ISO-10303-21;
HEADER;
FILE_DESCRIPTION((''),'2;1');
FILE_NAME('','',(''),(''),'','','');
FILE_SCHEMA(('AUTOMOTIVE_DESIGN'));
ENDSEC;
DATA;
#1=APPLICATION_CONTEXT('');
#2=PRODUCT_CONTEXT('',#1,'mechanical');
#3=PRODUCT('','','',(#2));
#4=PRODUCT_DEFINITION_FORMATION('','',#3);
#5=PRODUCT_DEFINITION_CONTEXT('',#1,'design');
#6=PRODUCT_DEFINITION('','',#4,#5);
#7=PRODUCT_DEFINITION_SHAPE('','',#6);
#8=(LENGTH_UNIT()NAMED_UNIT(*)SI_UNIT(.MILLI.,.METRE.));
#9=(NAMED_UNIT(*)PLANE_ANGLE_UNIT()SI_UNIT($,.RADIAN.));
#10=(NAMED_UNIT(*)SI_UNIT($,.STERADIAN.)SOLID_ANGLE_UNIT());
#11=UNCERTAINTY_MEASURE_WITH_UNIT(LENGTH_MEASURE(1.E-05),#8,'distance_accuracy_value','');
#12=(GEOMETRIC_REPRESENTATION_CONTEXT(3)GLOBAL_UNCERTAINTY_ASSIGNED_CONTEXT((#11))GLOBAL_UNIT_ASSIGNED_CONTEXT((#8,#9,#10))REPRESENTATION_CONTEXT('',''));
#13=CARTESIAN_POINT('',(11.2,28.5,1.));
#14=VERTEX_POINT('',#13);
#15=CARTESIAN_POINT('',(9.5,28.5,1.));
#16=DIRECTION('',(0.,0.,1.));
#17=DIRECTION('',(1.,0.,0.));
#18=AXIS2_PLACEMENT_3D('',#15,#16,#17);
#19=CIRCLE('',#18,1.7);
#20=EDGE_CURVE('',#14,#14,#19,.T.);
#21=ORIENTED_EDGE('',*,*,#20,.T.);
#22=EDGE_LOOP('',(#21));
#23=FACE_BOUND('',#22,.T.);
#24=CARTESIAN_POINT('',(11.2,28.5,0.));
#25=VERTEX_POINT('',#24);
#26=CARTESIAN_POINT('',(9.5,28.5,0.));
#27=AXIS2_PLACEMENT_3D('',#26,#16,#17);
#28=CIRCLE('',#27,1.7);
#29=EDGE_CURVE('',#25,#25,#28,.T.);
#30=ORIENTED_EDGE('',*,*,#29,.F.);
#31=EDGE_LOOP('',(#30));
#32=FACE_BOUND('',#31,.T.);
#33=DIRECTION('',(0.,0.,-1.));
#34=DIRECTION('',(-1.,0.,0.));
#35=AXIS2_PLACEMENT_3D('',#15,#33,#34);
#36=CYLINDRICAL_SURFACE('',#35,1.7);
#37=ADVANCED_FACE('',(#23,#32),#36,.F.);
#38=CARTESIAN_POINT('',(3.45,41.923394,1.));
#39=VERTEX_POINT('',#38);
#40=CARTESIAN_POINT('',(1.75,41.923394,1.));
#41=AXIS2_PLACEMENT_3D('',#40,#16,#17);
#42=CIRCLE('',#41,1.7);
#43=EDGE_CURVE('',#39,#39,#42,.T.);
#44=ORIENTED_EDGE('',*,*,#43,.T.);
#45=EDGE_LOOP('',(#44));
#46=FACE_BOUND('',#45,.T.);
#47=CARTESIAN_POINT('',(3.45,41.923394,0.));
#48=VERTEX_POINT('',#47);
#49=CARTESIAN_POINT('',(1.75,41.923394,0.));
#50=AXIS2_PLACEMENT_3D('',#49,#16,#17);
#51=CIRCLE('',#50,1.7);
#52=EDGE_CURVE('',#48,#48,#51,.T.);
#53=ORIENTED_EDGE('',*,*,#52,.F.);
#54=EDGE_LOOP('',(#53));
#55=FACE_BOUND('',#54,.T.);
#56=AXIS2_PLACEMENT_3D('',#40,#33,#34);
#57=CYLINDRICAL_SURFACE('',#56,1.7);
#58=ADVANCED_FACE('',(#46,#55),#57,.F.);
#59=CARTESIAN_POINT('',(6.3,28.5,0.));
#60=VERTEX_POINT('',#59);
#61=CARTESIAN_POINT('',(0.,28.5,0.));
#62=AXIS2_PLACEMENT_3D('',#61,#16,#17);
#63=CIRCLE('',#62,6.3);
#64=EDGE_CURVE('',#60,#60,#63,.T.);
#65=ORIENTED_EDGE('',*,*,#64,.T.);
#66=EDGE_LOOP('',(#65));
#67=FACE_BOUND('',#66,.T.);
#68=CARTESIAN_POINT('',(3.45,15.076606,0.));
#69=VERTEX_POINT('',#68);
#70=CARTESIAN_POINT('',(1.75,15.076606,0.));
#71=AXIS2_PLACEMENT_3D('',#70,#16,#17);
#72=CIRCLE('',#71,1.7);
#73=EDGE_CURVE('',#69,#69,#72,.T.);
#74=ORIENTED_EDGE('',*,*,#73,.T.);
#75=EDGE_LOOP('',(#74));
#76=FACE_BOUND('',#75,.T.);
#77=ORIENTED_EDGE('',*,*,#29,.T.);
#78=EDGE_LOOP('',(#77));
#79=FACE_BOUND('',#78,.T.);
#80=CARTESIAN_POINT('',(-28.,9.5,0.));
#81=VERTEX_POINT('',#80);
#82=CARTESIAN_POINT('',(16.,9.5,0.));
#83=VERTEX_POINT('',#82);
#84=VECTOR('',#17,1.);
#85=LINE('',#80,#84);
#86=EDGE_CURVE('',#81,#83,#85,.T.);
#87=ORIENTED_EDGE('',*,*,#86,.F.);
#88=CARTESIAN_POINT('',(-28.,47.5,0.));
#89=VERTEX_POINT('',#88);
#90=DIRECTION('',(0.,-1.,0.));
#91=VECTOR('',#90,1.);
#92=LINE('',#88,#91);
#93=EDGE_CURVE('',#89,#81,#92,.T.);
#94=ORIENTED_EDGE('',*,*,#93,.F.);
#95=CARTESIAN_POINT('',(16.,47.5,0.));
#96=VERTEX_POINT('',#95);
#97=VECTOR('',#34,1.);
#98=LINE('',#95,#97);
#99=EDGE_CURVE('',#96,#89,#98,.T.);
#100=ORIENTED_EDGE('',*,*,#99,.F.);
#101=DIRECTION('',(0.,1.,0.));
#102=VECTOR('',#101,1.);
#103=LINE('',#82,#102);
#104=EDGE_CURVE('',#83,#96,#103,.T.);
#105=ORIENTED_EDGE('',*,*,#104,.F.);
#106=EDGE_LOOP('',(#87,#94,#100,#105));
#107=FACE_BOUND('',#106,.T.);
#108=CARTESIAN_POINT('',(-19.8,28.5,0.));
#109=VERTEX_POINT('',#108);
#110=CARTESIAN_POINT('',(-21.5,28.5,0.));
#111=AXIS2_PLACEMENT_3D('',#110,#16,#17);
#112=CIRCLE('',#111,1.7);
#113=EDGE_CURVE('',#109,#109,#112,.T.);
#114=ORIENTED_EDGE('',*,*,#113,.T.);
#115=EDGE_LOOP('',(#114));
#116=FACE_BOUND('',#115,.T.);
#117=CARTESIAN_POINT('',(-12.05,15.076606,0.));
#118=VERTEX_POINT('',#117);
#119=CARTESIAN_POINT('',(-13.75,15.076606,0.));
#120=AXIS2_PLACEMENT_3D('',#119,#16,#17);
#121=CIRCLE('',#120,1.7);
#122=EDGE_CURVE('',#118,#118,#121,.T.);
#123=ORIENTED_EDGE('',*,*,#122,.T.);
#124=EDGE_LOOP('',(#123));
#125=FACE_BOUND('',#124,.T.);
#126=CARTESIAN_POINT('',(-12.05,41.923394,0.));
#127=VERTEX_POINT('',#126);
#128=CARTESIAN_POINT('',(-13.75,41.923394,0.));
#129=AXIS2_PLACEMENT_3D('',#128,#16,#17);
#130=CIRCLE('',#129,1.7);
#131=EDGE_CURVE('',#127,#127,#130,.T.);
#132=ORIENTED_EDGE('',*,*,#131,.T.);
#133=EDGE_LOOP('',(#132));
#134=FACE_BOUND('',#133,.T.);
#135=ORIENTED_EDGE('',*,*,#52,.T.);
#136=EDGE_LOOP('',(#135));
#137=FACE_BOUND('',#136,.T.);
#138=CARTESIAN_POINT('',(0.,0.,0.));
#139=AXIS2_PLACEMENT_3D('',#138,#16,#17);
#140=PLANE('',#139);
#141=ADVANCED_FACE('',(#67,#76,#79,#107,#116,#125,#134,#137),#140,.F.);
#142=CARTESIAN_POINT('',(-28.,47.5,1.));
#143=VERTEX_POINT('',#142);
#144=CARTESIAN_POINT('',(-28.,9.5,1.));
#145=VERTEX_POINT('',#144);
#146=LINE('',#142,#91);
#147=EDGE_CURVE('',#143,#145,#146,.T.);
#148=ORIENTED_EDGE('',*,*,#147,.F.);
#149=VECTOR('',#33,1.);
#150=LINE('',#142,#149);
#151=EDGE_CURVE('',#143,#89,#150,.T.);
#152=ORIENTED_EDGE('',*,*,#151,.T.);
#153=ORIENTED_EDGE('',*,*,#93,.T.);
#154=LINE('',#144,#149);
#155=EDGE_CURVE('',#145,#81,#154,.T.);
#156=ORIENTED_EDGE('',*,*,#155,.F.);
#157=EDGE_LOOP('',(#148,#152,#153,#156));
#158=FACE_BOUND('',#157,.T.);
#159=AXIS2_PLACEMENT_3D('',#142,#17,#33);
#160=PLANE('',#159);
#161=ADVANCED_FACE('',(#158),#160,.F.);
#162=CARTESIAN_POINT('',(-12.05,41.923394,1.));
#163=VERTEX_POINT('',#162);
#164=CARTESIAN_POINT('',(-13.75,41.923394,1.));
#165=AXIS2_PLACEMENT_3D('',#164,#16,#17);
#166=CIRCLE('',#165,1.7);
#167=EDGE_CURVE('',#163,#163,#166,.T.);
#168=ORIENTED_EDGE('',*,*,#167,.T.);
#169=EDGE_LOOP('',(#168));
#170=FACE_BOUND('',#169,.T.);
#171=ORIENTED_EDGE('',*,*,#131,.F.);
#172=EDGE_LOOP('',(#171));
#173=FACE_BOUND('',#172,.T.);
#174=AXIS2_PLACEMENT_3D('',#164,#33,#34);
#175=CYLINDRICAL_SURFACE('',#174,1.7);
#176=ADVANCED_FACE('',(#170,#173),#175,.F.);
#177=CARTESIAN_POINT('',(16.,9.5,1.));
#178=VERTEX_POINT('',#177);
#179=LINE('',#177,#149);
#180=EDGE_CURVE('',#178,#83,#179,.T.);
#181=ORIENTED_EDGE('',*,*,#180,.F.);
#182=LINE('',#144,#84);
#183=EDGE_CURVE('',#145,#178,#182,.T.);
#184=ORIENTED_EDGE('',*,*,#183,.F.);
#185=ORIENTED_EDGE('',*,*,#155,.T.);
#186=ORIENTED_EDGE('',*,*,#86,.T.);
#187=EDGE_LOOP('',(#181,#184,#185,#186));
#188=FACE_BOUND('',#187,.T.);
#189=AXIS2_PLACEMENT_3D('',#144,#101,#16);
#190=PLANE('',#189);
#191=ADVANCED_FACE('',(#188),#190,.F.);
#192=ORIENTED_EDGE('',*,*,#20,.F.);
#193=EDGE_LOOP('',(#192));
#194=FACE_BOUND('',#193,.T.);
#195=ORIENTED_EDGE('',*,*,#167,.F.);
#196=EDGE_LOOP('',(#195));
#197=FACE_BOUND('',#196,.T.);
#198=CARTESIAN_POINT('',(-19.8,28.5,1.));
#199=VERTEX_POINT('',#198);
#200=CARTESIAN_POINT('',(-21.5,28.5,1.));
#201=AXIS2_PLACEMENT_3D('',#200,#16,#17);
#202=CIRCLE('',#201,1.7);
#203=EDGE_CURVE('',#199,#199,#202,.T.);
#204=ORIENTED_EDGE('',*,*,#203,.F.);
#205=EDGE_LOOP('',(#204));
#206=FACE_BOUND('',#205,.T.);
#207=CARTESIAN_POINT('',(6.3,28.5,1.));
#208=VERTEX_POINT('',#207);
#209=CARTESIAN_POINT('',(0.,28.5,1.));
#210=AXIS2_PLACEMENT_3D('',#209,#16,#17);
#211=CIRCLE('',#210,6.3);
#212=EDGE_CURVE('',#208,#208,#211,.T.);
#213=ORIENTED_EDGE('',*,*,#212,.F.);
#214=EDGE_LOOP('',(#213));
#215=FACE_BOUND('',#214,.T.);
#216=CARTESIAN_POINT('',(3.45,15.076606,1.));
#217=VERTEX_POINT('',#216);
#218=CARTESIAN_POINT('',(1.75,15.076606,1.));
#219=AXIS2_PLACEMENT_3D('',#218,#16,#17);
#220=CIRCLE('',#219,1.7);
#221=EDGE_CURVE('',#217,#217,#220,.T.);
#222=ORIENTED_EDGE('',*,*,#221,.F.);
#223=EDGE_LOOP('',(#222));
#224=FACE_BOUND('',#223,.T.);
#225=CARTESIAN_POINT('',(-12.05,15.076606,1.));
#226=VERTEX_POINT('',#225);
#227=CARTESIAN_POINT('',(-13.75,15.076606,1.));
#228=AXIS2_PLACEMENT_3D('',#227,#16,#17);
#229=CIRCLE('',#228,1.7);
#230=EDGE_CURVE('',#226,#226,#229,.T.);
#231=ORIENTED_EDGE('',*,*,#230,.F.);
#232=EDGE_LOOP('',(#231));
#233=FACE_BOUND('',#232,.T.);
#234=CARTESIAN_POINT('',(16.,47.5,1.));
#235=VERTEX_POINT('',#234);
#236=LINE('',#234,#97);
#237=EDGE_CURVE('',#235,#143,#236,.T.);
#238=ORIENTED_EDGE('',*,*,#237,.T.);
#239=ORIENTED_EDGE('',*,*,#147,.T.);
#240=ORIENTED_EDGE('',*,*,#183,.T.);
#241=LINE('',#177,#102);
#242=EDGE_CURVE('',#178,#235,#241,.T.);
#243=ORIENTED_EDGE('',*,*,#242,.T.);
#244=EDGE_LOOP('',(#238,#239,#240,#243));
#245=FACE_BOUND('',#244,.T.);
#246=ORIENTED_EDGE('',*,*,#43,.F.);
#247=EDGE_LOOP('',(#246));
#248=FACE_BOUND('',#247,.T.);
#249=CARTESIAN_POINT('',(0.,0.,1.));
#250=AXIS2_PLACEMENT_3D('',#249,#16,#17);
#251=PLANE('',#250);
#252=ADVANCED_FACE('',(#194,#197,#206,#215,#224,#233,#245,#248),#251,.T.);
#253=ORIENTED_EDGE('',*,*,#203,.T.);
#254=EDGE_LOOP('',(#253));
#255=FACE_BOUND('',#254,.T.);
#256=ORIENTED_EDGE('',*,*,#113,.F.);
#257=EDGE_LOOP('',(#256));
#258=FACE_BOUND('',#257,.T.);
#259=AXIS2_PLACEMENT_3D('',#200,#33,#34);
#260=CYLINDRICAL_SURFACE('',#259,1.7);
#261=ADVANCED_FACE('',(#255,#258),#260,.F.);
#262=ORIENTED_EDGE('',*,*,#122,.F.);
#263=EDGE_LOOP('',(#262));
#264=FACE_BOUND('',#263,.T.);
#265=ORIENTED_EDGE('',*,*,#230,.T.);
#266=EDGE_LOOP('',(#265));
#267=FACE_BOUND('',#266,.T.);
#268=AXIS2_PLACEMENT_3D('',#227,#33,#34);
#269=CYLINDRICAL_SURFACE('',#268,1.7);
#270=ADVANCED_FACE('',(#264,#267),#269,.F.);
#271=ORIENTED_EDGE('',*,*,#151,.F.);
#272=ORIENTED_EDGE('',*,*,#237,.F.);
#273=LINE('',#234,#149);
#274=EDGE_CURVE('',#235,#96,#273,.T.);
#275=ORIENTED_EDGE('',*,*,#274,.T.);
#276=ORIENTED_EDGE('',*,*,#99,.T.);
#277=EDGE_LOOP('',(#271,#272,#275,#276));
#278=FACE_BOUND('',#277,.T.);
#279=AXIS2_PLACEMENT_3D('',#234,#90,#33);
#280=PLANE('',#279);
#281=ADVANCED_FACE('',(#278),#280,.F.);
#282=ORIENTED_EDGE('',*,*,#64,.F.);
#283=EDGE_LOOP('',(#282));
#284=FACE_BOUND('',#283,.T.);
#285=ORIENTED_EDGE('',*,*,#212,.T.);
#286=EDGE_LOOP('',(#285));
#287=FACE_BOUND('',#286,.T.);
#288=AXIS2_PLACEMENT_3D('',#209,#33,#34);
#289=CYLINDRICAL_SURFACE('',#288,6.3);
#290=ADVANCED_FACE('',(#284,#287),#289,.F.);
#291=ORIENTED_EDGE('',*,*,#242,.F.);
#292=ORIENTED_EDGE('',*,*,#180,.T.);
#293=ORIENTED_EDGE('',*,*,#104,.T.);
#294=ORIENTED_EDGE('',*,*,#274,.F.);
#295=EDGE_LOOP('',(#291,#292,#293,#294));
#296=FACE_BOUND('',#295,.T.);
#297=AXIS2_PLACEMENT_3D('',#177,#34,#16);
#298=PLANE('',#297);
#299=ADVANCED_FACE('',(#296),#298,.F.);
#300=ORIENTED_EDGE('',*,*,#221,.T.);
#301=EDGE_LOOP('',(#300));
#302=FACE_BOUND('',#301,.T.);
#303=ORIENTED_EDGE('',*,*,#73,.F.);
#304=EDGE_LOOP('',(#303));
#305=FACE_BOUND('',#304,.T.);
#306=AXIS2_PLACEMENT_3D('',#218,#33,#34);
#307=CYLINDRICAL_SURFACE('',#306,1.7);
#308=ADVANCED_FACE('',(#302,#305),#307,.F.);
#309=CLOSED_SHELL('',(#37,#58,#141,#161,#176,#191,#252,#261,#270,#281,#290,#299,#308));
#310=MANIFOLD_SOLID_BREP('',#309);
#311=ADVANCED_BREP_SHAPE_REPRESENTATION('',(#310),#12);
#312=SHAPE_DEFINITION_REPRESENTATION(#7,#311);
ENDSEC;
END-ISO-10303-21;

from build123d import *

# Parameters (mm, degrees)
OFFSET_HOUSING_PATTERN_AND_SHAFT_BORE_PR_W   = 44
OFFSET_HOUSING_PATTERN_AND_SHAFT_BORE_PR_H   = 38
OFFSET_HOUSING_PATTERN_AND_SHAFT_BORE_PR_R   = 6.3
OFFSET_HOUSING_PATTERN_AND_SHAFT_BORE_PR_R_2 = 1.7
OFFSET_HOUSING_PATTERN_AND_SHAFT_BORE_DEPTH  = 1


with BuildPart() as part:
    # Offset housing pattern and shaft bore profile → Offset housing pattern and shaft bore (new body)
    with BuildSketch(Plane.XY):
        with Locations((-6, 28.5)):
            Rectangle(OFFSET_HOUSING_PATTERN_AND_SHAFT_BORE_PR_W, OFFSET_HOUSING_PATTERN_AND_SHAFT_BORE_PR_H)
        with Locations((0, 28.5)):
            Circle(OFFSET_HOUSING_PATTERN_AND_SHAFT_BORE_PR_R, mode=Mode.SUBTRACT)
        with Locations((9.5, 28.5)):
            Circle(OFFSET_HOUSING_PATTERN_AND_SHAFT_BORE_PR_R_2, mode=Mode.SUBTRACT)
        with Locations((1.75, 41.923393759)):
            Circle(OFFSET_HOUSING_PATTERN_AND_SHAFT_BORE_PR_R_2, mode=Mode.SUBTRACT)
        with Locations((-13.75, 41.923393759)):
            Circle(OFFSET_HOUSING_PATTERN_AND_SHAFT_BORE_PR_R_2, mode=Mode.SUBTRACT)
        with Locations((-21.5, 28.5)):
            Circle(OFFSET_HOUSING_PATTERN_AND_SHAFT_BORE_PR_R_2, mode=Mode.SUBTRACT)
        with Locations((-13.75, 15.076606241)):
            Circle(OFFSET_HOUSING_PATTERN_AND_SHAFT_BORE_PR_R_2, mode=Mode.SUBTRACT)
        with Locations((1.75, 15.076606241)):
            Circle(OFFSET_HOUSING_PATTERN_AND_SHAFT_BORE_PR_R_2, mode=Mode.SUBTRACT)
    extrude(amount=OFFSET_HOUSING_PATTERN_AND_SHAFT_BORE_DEPTH)


solid = part.part
